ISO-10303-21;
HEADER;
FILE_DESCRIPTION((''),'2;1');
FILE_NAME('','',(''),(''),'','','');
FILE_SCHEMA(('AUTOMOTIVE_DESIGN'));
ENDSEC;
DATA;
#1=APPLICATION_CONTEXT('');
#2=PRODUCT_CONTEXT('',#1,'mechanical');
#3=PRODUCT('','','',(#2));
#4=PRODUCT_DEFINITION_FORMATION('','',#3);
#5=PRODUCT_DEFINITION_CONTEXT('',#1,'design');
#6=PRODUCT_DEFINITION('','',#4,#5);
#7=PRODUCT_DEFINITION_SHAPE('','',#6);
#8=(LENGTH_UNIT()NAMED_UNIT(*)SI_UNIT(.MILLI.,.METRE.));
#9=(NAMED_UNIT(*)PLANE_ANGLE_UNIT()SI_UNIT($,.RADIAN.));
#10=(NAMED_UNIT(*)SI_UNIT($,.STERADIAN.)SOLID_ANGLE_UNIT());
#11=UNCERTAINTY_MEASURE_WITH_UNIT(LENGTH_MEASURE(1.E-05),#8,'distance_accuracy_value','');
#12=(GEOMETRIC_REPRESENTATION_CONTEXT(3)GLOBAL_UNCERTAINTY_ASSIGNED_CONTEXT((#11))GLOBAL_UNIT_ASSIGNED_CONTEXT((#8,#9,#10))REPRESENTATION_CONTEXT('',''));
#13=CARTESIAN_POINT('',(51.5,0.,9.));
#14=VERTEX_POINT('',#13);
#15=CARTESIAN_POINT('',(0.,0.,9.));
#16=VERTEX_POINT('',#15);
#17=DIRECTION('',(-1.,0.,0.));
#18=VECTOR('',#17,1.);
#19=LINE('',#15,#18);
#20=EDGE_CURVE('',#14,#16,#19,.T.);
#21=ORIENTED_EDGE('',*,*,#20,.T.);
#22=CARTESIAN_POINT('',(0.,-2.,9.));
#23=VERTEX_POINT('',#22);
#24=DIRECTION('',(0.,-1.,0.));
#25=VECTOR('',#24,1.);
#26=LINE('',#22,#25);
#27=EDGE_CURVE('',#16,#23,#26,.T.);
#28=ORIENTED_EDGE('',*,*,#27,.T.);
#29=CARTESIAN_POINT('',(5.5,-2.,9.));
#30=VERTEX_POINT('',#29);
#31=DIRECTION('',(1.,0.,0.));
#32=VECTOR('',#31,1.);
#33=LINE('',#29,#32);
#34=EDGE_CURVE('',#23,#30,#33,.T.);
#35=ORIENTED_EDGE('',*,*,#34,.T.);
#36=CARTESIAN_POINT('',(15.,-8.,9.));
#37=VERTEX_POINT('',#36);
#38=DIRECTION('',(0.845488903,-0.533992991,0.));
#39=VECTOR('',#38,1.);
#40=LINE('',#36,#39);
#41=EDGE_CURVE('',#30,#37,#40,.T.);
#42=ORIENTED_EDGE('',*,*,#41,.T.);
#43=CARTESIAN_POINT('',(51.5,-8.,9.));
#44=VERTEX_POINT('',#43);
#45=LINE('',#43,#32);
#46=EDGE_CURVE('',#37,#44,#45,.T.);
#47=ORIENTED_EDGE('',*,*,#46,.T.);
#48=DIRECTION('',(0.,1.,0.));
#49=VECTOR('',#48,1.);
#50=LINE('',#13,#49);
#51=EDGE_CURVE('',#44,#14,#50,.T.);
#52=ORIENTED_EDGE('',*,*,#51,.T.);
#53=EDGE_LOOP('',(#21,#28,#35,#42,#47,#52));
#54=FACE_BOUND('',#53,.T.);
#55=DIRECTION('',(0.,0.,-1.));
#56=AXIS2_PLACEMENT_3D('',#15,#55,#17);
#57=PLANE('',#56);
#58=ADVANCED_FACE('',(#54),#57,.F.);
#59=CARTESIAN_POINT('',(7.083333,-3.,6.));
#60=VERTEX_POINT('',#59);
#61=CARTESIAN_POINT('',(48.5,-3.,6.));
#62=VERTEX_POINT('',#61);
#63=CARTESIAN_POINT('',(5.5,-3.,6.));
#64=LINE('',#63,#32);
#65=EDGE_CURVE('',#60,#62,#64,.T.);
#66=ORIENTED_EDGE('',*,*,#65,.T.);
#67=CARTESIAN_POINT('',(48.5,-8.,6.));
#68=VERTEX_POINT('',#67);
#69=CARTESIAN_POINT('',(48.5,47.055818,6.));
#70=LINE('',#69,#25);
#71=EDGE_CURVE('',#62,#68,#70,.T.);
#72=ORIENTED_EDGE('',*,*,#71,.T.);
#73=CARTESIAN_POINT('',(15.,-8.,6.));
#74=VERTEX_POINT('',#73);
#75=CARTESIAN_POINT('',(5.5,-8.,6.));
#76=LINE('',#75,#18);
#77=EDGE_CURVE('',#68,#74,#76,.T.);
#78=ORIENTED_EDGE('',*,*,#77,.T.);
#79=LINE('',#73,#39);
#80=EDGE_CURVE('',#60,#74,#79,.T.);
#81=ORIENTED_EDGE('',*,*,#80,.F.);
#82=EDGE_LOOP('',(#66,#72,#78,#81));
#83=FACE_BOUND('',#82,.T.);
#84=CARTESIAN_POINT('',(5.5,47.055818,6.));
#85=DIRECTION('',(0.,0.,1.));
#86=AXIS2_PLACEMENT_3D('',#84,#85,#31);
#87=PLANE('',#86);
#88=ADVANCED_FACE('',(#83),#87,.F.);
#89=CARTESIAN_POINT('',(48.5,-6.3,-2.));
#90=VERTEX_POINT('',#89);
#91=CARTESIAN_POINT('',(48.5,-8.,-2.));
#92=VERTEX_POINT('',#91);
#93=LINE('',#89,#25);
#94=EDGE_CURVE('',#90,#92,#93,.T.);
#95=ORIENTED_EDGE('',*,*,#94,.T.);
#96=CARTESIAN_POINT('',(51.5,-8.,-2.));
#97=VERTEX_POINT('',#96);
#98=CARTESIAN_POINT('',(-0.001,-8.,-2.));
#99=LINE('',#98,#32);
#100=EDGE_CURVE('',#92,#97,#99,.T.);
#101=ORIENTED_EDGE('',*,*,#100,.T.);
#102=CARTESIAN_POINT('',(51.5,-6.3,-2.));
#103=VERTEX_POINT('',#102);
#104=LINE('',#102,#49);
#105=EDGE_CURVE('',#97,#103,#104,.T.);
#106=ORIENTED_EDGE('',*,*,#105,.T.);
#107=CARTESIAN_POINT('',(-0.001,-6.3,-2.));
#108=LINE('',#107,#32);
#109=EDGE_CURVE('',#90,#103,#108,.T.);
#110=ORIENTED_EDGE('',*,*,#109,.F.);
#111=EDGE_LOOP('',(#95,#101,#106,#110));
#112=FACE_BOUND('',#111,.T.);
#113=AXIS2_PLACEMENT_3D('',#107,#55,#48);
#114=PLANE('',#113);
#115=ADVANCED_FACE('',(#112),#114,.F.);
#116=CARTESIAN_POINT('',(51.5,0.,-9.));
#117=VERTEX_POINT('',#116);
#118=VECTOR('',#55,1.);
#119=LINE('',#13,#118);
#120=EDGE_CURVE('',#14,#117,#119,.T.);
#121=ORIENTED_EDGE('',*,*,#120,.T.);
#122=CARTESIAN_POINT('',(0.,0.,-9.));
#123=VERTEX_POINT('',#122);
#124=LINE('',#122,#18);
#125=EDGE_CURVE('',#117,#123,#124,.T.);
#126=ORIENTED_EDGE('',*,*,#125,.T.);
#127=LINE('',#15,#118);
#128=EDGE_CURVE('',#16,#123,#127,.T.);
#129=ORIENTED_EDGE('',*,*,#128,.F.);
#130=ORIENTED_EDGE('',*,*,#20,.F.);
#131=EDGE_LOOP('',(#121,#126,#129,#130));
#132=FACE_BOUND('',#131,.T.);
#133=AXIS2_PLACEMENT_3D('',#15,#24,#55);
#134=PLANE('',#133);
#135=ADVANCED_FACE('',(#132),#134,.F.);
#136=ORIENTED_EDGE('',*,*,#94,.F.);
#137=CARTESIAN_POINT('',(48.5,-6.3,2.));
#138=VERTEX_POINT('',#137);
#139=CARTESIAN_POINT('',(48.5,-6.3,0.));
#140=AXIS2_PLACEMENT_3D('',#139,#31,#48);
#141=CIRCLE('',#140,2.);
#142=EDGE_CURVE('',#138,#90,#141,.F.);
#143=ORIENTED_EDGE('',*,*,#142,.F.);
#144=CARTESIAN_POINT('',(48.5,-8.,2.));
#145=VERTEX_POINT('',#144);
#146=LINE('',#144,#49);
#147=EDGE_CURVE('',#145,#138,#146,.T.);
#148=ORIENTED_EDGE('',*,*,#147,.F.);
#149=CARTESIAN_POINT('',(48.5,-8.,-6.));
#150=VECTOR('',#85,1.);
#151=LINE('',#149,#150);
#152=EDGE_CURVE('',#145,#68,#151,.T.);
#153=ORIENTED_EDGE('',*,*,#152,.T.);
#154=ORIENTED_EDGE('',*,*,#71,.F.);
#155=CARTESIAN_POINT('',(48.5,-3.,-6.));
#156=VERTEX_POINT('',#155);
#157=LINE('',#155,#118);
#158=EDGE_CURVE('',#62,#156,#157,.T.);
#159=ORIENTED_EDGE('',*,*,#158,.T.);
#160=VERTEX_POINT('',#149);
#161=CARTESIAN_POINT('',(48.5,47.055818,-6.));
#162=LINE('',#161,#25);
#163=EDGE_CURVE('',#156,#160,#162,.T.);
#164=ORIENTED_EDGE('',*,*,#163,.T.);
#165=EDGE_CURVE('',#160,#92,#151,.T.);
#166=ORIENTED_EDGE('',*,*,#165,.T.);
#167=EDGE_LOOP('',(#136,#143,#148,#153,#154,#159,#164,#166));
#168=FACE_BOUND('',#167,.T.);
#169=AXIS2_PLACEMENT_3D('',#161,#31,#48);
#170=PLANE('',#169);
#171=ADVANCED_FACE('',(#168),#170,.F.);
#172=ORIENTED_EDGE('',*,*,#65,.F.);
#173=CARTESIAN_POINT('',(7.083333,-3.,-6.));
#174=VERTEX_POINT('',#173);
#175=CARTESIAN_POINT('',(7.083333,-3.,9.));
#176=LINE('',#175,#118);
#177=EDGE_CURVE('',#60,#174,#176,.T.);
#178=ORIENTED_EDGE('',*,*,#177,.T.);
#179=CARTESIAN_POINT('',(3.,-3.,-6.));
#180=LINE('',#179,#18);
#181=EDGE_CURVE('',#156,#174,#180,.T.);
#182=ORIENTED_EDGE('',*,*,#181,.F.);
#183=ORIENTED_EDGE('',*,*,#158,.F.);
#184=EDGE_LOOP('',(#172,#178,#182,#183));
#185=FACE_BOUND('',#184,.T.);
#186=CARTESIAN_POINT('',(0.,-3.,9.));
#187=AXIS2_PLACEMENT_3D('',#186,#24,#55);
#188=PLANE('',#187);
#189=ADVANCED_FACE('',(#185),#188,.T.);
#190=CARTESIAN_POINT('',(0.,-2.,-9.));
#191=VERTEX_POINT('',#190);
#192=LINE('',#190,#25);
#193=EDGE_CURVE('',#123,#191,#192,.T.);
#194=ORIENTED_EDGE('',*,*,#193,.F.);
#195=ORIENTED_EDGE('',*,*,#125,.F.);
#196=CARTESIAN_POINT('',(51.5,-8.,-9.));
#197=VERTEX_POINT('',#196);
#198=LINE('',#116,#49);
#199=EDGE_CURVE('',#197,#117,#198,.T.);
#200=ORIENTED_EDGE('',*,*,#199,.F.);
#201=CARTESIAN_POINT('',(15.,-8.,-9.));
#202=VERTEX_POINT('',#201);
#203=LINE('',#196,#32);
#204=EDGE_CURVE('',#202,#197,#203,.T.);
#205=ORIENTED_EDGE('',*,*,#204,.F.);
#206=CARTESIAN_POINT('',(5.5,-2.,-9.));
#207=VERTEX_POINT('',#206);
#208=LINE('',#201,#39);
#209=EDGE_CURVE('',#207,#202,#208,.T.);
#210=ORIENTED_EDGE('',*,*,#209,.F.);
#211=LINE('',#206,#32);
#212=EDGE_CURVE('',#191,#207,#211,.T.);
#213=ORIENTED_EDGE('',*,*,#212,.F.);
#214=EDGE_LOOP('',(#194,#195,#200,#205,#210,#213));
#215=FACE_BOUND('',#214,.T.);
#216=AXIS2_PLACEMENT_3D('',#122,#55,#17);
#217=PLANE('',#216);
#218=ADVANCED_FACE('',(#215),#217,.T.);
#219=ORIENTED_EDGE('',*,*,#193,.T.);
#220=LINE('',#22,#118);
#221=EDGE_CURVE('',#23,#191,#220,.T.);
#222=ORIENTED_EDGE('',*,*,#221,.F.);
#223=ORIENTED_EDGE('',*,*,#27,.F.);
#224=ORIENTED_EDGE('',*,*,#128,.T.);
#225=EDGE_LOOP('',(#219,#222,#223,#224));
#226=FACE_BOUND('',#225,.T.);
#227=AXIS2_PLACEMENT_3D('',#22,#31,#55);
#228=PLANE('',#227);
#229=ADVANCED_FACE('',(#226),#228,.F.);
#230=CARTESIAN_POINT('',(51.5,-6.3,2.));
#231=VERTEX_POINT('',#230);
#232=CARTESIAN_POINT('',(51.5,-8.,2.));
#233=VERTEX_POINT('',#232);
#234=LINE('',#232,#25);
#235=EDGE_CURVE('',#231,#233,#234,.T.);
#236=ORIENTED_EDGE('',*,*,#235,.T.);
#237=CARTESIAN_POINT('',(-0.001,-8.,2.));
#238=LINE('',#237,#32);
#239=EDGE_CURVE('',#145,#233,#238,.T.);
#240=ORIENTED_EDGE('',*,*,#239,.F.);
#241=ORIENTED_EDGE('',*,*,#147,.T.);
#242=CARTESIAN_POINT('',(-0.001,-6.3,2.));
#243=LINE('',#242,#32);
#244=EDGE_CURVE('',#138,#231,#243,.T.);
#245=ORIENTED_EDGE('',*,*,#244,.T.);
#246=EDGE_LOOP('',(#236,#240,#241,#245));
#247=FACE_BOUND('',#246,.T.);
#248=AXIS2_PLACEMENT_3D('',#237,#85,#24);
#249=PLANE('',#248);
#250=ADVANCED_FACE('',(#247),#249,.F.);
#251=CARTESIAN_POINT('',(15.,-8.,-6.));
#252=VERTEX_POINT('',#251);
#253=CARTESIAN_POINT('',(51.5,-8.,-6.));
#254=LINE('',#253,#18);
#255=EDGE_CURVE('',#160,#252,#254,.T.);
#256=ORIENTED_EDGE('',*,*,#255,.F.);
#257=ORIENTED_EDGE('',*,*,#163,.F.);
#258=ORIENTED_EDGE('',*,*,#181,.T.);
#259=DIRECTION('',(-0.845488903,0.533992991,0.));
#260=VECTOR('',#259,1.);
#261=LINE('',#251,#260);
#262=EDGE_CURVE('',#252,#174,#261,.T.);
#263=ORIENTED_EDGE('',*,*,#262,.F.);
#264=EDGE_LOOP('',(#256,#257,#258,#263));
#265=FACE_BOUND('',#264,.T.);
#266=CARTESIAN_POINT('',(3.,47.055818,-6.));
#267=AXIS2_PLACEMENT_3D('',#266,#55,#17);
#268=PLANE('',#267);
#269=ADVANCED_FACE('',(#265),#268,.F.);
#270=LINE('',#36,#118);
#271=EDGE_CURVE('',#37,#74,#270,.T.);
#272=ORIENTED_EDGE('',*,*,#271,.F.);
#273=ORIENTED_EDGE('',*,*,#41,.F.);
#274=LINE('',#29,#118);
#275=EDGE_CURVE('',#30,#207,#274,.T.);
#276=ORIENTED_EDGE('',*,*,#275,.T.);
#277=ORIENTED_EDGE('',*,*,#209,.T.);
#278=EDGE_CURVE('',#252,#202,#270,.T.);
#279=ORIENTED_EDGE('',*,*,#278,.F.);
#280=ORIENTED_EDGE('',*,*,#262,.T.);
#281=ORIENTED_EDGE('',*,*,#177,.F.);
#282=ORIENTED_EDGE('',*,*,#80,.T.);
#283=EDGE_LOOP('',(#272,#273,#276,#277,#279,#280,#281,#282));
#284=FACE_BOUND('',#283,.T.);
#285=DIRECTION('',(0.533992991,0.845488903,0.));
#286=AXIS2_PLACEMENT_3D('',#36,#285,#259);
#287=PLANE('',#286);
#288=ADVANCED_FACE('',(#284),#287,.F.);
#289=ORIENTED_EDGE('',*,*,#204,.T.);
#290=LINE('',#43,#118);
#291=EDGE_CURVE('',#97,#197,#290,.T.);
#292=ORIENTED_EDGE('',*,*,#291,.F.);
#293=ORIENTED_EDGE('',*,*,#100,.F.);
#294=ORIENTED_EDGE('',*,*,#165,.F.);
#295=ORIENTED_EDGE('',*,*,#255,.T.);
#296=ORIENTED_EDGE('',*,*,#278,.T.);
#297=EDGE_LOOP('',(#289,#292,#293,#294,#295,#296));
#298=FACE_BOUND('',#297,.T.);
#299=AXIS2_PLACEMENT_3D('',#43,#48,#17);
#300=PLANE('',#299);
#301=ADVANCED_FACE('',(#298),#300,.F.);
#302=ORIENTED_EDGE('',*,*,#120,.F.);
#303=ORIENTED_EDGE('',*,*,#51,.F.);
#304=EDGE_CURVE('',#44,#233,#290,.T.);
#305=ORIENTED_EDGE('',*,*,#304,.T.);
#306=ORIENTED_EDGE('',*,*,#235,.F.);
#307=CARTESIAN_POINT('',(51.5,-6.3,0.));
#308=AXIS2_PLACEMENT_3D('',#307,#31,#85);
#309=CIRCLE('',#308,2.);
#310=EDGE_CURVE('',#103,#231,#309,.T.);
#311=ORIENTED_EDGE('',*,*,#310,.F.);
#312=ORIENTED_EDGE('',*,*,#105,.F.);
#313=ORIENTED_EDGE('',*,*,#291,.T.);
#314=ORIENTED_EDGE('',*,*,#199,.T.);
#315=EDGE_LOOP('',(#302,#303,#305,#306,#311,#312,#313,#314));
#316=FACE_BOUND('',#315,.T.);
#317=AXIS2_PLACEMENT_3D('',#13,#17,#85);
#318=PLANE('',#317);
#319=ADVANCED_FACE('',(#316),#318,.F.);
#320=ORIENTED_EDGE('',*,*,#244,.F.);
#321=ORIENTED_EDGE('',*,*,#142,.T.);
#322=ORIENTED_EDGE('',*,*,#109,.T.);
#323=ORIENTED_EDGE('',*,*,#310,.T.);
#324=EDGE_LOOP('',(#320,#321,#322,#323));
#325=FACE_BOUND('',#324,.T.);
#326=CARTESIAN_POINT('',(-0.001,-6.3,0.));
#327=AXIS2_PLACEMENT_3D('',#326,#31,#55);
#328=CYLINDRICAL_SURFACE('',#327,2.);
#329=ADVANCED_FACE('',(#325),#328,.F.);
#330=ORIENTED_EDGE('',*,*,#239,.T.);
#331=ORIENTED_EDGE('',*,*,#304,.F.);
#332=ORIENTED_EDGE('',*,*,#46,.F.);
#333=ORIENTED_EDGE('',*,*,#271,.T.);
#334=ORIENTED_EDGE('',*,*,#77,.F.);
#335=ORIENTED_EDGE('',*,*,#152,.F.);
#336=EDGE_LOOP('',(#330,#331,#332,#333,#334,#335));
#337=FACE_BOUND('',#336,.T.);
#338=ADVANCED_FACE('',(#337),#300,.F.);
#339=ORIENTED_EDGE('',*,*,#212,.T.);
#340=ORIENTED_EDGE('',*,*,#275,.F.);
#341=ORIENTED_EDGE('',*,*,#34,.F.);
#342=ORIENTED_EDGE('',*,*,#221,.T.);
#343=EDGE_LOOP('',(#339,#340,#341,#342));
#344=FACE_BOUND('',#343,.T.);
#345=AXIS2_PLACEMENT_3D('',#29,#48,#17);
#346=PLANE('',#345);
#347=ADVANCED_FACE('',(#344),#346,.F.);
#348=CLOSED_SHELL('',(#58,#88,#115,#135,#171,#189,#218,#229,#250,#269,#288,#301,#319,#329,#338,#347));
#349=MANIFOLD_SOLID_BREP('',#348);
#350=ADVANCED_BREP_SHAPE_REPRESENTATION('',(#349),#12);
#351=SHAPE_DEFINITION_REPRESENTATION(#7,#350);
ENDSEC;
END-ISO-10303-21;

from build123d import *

# Parameters (mm, degrees)
EXTRUDE_1_DEPTH     = 9
CUT_EXTRUDE_1_DEPTH = 5
CUT_EXTRUDE_2_REACH = 54.889


with BuildPart() as part:
    # 草图1 → 凸台-拉伸1 (new, symmetric)
    with BuildSketch(Plane.XY):
        Polygon((0, 0), (51.5, 0), (51.5, -8), (15, -8), (5.5, -2), (0, -2), align=None)
    extrude(amount=EXTRUDE_1_DEPTH, both=True)

    # 草图2 → 切除-拉伸1 (cut)
    with BuildSketch(Plane.XZ.offset(8)):
        Polygon((15, -6), (48.5, -6), (48.5, 6), (15, 6), (5.5, 6), (3, 6), (3, -6), (5.5, -6), align=None)
    extrude(amount=-CUT_EXTRUDE_1_DEPTH, mode=Mode.SUBTRACT)

    # 草图3 → 切除-拉伸2 (cut, up to next)
    with BuildSketch(Plane(origin=(51.5, 0, 0), x_dir=(0, 0, -1), z_dir=(1, 0, 0)), mode=Mode.PRIVATE) as cut_extrude_2_sk1:
        with BuildLine():
            Line((2, -6.3), (2, -8))
            Line((2, -8), (-2, -8))
            Line((-2, -8), (-2, -6.3))
            ThreePointArc((-2, -6.3), (0, -4.3), (2, -6.3))
        make_face()
    cut_extrude_2_tool1 = extrude(cut_extrude_2_sk1.sketch, amount=-CUT_EXTRUDE_2_REACH, mode=Mode.PRIVATE) & part.part
    add(cut_extrude_2_tool1.solids().sort_by_distance((51.5, -6.334141, 0))[0], mode=Mode.SUBTRACT)


solid = part.part
